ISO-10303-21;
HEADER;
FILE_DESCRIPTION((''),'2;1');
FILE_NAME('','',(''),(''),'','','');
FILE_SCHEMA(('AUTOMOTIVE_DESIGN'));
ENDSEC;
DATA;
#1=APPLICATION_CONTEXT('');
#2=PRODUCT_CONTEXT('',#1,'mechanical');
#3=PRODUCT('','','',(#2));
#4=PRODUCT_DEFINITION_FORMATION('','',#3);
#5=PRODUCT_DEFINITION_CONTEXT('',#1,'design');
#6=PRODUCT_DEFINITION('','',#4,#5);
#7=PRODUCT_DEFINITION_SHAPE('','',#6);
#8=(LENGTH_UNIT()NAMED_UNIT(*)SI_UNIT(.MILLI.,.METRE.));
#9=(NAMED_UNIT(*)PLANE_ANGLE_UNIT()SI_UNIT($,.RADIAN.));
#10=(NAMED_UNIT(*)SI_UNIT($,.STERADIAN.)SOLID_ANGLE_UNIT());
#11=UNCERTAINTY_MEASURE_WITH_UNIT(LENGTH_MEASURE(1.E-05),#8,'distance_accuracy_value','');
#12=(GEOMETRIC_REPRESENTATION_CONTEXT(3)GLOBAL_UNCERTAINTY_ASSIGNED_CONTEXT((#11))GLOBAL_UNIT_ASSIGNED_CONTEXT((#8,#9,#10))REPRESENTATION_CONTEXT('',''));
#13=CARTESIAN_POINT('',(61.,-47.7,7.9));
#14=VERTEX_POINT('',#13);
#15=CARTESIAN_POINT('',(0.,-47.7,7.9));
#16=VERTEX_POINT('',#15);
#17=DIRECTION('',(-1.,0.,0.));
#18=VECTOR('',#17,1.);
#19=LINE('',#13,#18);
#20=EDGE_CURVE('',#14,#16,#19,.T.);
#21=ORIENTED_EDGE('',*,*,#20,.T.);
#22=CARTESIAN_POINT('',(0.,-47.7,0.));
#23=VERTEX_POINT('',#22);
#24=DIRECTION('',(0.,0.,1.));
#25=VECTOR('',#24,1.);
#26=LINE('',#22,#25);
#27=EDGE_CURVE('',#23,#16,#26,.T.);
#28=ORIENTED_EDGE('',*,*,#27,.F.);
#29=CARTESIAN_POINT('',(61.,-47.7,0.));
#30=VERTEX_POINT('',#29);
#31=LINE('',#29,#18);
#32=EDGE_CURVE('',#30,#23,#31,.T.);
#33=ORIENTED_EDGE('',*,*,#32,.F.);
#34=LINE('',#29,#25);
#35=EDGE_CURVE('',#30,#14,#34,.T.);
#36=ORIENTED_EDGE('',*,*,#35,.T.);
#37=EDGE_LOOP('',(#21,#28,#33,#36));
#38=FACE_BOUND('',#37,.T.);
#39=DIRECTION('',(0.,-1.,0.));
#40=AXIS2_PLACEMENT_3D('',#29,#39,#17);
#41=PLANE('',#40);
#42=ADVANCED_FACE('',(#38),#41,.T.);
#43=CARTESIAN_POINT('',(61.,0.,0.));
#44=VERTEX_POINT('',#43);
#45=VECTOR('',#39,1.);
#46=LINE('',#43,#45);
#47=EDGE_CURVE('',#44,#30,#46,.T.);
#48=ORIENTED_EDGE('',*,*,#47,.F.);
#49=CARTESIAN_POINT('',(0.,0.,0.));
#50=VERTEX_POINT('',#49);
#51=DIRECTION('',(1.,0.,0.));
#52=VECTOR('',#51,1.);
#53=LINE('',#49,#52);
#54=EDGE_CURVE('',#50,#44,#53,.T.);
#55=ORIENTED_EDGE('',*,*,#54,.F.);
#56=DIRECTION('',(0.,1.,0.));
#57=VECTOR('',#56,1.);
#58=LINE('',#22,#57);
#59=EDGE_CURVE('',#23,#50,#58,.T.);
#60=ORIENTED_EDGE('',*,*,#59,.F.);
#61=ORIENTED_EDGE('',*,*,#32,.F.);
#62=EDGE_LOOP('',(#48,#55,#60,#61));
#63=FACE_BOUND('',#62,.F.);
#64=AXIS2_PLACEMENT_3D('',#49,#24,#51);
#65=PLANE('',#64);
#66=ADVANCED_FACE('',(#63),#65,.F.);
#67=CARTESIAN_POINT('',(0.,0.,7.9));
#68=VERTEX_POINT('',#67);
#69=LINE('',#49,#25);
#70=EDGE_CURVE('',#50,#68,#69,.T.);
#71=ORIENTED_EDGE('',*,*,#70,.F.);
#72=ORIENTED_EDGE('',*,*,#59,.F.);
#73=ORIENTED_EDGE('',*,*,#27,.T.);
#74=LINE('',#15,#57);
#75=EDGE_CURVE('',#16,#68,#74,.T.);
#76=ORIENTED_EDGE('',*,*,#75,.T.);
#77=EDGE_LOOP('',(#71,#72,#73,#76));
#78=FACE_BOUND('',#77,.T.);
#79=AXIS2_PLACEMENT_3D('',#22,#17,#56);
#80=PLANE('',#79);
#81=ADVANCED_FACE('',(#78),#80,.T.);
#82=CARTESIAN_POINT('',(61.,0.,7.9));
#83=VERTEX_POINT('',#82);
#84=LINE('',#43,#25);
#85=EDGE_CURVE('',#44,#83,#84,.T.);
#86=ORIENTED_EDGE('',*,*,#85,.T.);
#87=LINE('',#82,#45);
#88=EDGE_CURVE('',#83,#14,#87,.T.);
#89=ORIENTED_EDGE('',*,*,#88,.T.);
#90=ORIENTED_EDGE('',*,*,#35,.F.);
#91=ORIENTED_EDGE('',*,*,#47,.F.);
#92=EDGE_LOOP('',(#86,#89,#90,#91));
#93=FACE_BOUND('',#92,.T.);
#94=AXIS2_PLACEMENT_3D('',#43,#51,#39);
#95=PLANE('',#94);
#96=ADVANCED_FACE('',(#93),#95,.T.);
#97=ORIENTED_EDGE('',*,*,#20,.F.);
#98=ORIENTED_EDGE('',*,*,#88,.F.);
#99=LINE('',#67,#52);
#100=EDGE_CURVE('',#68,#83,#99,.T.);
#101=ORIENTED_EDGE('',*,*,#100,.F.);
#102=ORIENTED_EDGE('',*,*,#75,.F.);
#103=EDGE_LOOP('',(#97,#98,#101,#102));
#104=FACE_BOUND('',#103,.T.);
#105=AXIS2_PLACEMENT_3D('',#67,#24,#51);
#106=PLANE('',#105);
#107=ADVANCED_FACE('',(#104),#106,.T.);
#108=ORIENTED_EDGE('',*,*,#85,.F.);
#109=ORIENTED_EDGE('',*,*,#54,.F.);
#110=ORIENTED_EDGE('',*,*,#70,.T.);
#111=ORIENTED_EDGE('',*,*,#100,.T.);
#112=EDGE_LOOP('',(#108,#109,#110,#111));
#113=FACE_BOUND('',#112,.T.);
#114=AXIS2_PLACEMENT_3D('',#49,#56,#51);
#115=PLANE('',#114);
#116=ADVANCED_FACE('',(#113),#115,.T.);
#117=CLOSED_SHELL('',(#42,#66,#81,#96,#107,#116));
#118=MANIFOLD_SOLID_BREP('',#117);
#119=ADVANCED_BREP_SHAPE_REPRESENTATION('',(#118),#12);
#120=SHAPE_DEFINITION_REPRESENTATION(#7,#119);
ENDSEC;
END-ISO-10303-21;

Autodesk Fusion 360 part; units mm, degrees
sketch "Sketch1" plane through (0, 0, 0) normal (0, 0, 1) x (1, 0, 0)
  line L0 (0, 0) -> (61, 0)
  line L1 (61, 0) -> (61, -47.7)
  line L2 (61, -47.7) -> (0, -47.7)
  line L3 (0, -47.7) -> (0, 0)
  dimension "d1" = 61
  dimension "d2" = 47.7
extrude "Extrude1" add sketch "Sketch1" along normal blind 7.9
